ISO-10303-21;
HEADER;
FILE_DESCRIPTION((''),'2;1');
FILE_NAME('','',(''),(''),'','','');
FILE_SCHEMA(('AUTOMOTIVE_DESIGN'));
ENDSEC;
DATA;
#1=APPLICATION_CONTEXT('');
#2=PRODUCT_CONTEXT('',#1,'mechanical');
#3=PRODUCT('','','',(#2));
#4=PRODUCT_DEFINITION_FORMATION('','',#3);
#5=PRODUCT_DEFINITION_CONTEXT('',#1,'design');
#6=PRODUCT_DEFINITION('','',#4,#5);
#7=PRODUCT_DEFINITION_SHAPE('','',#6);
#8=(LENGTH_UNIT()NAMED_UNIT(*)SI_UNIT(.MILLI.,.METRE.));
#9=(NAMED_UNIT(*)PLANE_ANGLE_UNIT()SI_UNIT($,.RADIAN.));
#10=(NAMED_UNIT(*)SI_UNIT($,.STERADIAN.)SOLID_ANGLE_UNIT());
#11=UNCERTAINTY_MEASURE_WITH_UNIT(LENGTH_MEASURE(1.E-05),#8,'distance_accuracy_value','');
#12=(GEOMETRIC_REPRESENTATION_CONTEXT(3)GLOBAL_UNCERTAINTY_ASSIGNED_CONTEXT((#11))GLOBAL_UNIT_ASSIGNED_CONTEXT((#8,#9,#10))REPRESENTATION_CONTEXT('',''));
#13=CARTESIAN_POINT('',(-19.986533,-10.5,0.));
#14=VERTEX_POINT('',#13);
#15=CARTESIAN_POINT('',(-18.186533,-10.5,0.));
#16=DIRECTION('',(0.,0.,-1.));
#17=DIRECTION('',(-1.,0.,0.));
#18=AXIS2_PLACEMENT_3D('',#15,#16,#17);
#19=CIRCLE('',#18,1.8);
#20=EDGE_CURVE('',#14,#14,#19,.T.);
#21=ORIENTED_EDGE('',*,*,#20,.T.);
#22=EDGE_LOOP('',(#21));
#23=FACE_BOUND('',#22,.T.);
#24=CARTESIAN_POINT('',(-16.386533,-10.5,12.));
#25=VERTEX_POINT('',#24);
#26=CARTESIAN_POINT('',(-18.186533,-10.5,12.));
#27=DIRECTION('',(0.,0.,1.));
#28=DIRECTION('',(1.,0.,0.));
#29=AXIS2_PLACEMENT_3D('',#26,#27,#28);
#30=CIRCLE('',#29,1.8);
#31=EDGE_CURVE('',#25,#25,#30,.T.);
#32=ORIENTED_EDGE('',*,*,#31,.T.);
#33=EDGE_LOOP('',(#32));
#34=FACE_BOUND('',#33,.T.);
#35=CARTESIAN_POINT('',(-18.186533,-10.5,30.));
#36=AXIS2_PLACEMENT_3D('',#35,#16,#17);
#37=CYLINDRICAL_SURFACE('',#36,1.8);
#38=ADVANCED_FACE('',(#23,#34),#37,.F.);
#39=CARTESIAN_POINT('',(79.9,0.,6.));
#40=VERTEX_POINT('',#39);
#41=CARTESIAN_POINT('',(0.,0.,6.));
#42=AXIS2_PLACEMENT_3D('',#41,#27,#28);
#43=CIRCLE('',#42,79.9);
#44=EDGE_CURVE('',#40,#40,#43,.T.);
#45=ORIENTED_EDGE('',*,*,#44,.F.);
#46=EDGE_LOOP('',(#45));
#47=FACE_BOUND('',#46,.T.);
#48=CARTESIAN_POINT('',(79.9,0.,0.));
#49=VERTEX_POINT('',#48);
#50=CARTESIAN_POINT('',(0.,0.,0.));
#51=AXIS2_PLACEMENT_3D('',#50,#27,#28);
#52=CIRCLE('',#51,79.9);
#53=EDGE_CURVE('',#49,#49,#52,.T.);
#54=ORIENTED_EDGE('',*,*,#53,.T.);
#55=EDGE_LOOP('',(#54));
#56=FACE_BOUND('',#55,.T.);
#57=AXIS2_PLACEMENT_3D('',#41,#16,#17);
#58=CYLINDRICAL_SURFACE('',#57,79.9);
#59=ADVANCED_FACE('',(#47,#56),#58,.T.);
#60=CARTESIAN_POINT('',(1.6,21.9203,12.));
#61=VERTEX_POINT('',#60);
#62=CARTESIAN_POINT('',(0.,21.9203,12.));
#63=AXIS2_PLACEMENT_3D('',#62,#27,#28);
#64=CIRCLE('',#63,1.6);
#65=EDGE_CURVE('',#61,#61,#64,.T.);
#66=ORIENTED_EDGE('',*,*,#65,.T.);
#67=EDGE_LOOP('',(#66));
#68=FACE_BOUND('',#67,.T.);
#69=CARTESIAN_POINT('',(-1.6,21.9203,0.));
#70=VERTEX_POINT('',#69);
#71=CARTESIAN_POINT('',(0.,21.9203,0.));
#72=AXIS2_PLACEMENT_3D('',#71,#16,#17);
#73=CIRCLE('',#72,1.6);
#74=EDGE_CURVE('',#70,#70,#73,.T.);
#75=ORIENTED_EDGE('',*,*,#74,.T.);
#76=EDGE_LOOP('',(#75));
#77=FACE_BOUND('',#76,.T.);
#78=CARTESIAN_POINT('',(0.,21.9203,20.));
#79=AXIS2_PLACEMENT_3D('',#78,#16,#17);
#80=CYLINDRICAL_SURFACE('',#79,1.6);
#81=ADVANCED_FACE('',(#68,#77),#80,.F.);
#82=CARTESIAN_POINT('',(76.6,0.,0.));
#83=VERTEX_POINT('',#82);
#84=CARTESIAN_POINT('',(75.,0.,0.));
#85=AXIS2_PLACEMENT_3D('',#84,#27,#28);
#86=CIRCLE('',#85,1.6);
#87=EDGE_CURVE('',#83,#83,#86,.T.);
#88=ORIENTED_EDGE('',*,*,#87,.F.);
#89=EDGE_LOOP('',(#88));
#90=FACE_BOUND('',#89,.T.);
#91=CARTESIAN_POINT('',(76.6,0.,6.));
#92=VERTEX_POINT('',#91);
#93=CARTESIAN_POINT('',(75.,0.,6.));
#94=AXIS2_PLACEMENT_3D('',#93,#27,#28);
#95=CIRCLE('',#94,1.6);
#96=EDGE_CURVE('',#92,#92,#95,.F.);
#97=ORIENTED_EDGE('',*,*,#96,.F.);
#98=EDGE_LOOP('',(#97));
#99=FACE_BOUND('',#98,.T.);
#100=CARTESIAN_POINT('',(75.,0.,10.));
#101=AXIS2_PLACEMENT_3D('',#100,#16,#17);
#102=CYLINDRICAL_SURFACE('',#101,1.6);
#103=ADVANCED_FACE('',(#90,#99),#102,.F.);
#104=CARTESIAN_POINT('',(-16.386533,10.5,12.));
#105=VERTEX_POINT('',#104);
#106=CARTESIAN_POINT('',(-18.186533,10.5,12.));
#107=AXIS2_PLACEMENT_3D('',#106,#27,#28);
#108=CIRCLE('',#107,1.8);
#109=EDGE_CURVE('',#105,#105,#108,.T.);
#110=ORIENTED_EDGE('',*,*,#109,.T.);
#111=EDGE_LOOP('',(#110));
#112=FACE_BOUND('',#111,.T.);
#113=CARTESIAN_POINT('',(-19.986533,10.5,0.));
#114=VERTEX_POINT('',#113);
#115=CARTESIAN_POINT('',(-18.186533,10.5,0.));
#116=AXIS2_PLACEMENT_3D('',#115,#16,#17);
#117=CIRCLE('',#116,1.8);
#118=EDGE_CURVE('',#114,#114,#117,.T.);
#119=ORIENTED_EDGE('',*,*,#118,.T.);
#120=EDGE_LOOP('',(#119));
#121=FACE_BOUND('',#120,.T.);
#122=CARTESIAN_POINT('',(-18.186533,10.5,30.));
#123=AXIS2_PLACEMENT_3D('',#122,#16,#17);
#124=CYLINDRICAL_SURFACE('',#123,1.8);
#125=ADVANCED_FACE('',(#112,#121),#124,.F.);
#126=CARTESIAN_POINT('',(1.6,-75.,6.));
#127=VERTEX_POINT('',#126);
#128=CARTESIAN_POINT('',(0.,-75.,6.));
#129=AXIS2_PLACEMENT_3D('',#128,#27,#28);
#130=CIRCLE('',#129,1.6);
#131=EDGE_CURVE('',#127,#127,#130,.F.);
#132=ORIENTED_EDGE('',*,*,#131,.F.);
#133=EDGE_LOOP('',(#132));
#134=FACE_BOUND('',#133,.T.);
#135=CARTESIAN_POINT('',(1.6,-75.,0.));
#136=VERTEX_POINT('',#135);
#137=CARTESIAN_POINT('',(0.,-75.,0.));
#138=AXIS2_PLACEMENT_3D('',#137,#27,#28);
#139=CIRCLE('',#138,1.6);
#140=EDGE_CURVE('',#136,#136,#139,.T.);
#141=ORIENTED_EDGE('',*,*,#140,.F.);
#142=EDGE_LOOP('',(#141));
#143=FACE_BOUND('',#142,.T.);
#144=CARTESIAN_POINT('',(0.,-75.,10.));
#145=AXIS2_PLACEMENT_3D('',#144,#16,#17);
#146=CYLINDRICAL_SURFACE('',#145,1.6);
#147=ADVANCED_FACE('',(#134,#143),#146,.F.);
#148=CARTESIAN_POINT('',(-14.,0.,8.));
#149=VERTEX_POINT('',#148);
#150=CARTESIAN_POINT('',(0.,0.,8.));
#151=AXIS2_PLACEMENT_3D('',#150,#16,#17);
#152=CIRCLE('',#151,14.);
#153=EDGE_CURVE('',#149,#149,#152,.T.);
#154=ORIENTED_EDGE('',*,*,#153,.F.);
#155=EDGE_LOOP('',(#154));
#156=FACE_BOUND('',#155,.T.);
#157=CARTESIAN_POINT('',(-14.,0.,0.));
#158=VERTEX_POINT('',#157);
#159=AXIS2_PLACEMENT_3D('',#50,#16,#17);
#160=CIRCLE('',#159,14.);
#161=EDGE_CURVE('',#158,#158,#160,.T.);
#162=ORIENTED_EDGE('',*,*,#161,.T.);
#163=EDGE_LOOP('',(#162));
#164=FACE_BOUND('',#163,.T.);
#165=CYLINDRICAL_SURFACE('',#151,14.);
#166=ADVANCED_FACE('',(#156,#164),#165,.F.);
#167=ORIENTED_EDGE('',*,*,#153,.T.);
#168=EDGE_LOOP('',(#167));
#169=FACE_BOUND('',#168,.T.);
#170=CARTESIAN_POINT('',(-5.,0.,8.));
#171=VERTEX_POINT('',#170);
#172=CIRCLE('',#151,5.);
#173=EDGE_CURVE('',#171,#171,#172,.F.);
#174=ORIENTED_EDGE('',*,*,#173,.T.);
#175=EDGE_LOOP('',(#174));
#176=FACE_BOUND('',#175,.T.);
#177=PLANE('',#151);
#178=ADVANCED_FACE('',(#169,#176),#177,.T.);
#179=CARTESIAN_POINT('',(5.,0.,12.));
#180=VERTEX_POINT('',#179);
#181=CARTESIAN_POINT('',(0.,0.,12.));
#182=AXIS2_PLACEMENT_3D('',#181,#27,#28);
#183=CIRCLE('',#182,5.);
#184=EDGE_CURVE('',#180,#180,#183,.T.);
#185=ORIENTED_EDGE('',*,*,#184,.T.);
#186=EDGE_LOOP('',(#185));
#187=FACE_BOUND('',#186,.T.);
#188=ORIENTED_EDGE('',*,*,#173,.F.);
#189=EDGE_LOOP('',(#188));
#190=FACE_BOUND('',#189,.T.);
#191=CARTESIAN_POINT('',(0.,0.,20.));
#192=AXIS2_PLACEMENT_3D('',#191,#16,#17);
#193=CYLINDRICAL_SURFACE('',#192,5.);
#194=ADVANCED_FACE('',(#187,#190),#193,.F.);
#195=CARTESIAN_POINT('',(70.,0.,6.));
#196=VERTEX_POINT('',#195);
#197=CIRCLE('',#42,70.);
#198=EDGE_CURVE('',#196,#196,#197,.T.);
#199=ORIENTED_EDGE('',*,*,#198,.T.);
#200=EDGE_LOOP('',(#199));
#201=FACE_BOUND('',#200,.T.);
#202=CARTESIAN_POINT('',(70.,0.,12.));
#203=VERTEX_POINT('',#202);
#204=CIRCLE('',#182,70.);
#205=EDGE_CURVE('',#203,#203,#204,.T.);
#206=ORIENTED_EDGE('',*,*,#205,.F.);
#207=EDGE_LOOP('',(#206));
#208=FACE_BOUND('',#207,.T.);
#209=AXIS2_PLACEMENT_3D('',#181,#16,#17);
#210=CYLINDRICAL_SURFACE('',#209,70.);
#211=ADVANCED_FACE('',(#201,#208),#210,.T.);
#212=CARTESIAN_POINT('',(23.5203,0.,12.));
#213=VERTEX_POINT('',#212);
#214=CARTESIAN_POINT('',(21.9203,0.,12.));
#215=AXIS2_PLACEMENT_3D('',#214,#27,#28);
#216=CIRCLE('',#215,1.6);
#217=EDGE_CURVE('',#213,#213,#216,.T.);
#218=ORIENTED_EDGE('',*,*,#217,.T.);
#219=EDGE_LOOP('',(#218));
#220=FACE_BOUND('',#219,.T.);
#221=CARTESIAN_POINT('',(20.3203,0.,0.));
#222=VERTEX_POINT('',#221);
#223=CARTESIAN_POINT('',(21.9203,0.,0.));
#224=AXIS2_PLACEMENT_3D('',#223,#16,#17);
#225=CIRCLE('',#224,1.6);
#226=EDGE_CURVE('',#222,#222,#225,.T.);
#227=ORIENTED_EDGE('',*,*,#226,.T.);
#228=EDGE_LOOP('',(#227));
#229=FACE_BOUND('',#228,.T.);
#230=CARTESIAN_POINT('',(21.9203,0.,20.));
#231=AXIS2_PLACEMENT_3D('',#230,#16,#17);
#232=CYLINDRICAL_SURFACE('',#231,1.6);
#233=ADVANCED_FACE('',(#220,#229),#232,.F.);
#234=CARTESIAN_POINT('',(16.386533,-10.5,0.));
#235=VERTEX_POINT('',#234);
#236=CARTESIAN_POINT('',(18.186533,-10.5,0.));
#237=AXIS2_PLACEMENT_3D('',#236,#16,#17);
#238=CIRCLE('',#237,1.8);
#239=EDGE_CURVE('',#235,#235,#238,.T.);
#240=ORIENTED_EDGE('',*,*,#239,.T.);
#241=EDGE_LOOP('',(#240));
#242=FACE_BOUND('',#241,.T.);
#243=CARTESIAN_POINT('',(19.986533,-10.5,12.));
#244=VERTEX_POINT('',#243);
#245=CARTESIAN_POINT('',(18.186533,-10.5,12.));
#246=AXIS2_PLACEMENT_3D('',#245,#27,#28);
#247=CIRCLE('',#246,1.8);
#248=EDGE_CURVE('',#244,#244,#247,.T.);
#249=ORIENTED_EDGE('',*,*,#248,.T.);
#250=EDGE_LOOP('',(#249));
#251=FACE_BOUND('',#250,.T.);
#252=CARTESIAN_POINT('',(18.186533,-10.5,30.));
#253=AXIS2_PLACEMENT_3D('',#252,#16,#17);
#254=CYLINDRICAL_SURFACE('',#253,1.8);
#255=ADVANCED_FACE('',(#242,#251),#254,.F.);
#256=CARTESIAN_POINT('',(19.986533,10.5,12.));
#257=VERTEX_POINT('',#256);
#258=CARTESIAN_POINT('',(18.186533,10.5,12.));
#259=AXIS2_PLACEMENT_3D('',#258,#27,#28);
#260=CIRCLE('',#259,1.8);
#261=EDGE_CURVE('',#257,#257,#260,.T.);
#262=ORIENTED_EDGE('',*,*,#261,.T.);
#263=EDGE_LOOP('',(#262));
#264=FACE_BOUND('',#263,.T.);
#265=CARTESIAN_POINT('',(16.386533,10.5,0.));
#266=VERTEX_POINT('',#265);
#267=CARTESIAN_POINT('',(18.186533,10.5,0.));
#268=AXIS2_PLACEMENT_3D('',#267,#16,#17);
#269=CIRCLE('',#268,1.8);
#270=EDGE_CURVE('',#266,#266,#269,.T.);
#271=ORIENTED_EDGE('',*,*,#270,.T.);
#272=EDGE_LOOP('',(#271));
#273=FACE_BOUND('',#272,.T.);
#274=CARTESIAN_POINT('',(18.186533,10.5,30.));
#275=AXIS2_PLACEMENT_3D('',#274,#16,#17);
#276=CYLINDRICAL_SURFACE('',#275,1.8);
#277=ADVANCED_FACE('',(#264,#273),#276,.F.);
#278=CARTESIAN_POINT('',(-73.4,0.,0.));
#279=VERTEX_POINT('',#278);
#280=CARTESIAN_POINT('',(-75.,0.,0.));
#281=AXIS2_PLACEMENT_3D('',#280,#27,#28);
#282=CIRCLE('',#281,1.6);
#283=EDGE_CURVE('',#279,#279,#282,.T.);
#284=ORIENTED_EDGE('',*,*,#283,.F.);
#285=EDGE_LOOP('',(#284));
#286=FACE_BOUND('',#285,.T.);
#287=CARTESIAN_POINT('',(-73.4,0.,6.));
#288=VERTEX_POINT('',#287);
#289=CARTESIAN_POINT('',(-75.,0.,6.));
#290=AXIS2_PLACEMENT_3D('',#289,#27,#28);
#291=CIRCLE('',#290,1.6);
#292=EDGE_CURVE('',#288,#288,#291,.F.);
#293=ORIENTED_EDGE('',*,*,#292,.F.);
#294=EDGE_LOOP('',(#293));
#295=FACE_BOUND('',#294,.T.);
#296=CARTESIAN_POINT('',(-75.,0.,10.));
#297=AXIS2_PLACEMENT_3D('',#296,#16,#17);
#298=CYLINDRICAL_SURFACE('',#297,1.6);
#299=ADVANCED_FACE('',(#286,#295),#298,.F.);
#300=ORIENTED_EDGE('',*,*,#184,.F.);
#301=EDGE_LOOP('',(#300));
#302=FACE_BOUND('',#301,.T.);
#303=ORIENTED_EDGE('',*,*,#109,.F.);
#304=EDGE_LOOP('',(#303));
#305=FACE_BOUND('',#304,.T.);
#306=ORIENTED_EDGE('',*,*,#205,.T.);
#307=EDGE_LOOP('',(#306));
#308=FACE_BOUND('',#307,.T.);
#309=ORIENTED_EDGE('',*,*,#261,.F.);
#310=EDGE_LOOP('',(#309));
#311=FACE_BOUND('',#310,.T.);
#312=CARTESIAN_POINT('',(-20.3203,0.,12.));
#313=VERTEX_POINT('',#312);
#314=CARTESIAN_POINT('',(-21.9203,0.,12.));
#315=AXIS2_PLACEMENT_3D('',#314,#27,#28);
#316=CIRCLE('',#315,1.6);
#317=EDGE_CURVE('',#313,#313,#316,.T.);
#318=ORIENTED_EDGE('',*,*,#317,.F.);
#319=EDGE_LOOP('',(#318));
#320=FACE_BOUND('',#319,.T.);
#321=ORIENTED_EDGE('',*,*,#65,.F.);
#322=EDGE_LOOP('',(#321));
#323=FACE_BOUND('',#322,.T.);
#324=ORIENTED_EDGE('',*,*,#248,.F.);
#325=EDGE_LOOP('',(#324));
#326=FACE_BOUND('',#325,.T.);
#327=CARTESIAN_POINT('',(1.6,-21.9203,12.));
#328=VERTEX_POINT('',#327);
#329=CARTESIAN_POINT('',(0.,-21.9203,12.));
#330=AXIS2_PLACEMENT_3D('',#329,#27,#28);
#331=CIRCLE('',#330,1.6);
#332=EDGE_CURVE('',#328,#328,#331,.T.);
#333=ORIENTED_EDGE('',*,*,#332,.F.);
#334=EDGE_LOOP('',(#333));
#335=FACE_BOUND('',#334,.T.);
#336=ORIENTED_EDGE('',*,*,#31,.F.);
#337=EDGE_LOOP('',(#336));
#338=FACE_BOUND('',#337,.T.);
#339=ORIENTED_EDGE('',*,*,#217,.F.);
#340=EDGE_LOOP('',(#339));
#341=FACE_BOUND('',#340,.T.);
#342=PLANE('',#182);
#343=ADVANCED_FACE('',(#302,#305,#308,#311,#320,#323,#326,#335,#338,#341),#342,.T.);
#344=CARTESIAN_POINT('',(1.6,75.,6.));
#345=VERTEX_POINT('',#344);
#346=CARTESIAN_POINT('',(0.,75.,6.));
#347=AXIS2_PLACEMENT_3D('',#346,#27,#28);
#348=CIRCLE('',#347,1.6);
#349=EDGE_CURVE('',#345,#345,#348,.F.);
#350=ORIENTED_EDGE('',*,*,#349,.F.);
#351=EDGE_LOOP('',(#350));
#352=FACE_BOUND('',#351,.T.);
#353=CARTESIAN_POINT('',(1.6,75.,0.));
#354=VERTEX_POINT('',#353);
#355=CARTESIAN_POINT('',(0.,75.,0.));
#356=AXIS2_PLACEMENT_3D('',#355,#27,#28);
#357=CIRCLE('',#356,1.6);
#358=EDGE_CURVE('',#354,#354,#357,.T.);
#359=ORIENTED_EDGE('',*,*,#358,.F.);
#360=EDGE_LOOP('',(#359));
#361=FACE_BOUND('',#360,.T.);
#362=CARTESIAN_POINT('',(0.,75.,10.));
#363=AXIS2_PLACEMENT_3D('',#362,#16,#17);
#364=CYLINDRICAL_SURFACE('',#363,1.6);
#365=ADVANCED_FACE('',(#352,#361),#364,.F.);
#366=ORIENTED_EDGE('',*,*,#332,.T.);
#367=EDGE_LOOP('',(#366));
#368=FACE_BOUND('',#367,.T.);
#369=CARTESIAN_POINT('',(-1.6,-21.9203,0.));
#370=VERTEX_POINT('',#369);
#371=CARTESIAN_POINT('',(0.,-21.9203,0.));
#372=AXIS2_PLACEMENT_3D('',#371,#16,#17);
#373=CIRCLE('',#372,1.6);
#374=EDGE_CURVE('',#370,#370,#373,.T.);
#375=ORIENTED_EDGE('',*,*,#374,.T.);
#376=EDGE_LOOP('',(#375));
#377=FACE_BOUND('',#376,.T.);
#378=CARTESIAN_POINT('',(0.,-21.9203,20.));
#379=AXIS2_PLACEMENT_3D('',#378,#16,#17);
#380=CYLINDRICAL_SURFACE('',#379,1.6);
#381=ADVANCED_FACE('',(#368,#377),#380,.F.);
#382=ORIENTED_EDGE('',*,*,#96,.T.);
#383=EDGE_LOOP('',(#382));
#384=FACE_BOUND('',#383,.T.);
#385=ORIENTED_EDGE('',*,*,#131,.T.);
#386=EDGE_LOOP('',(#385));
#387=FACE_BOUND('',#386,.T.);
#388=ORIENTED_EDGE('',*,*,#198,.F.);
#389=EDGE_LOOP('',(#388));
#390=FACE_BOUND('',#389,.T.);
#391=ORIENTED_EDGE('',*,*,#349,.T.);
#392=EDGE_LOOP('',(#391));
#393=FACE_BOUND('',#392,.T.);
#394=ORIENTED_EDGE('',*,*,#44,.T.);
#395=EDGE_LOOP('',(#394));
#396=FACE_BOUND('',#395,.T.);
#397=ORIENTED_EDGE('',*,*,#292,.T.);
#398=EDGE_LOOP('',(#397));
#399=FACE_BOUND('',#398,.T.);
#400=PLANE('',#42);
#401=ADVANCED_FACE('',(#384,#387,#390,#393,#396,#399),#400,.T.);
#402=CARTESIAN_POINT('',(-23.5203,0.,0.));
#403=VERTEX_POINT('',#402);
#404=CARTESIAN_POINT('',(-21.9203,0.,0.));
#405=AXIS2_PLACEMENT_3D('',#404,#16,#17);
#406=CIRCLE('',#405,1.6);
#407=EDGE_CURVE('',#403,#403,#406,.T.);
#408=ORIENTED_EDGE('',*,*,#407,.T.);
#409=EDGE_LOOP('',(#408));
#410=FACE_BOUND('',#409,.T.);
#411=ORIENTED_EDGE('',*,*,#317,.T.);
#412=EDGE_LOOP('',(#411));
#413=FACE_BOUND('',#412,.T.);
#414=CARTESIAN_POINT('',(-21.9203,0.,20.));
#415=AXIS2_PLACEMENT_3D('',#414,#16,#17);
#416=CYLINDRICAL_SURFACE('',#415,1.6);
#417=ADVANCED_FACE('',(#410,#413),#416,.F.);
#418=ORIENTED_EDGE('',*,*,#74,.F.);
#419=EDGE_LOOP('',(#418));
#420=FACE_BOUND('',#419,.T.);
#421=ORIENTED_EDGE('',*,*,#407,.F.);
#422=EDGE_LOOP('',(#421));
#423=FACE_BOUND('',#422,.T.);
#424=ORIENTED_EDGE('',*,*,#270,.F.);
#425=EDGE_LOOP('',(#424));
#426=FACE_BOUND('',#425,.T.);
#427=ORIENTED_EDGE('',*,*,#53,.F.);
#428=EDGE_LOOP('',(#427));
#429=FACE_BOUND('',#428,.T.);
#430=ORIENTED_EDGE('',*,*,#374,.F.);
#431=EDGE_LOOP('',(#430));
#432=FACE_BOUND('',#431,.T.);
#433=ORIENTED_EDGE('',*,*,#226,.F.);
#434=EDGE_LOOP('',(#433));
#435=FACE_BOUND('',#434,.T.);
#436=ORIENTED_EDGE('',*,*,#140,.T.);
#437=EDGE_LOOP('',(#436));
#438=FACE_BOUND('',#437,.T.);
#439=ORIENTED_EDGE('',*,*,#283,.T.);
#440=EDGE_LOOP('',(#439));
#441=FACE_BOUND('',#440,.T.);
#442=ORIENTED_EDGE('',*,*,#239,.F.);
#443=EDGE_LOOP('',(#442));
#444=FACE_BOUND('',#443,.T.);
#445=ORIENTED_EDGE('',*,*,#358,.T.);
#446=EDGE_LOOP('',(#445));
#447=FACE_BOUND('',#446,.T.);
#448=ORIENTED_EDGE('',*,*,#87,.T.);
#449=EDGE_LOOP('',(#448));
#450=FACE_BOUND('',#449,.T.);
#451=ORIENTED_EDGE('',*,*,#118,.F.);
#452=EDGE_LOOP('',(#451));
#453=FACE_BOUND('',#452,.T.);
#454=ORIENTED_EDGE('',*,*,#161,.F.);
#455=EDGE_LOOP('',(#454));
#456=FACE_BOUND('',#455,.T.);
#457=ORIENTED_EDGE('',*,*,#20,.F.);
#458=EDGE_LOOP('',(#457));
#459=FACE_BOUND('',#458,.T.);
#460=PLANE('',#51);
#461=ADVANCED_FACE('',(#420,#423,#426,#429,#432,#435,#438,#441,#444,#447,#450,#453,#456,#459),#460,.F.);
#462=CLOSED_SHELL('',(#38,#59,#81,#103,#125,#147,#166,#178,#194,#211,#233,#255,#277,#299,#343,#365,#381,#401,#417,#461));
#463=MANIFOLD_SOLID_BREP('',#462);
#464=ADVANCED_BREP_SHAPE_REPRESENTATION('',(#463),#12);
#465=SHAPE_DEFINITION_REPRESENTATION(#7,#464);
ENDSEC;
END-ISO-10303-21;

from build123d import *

# Parameters (mm, degrees)
SKETCH_1_R          = 70
EXTRUDE_1_DEPTH     = 12
SKETCH_2_R          = 79.9
EXTRUDE_2_DEPTH     = 6
SKETCH_3_R          = 1.6
CUT_EXTRUDE_1_DEPTH = 10
SKETCH_4_R          = 1.6
CUT_EXTRUDE_2_DEPTH = 20
SKETCH_4_5_R        = 1.6
CUT_EXTRUDE_3_DEPTH = 20
SKETCH_6_R          = 5
CUT_EXTRUDE_5_DEPTH = 20
SKETCH_7_R          = 1.8
CUT_EXTRUDE_8_DEPTH = 30
SKETCH_10_R         = 14
CUT_EXTRUDE_9_DEPTH = 8


with BuildPart() as part:
    # 草图1 → 凸台-拉伸1 (new body)
    with BuildSketch(Plane.XY):
        Circle(SKETCH_1_R)
    extrude(amount=EXTRUDE_1_DEPTH)

    # 草图2 → 凸台-拉伸2 (add)
    with BuildSketch(Plane.XY):
        Circle(SKETCH_2_R)
    extrude(amount=EXTRUDE_2_DEPTH)

    # 草图3 → 切除-拉伸1 (cut)
    with BuildSketch(Plane.XY):
        with Locations((-75, 0)):
            Circle(SKETCH_3_R)
        with Locations((75, 0)):
            Circle(SKETCH_3_R)
        with Locations((0, -75)):
            Circle(SKETCH_3_R)
        with Locations((0, 75)):
            Circle(SKETCH_3_R)
    extrude(amount=CUT_EXTRUDE_1_DEPTH, mode=Mode.SUBTRACT)

    # 草图4 → 切除-拉伸2 (cut)
    with BuildSketch(Plane(origin=(0, 0, 0), x_dir=(-1, 0, 0), z_dir=(0, 0, -1))):
        with Locations((0, -21.9203)):
            Circle(SKETCH_4_R)
    extrude(amount=-CUT_EXTRUDE_2_DEPTH, mode=Mode.SUBTRACT)

    # 草图4<5> → 切除-拉伸3 (cut)
    with BuildSketch(Plane(origin=(0, 0, 0), x_dir=(-1, 0, 0), z_dir=(0, 0, -1))):
        with Locations((-21.9203, 0)):
            Circle(SKETCH_4_5_R)
        with Locations((0, 21.9203)):
            Circle(SKETCH_4_5_R)
        with Locations((21.9203, 0)):
            Circle(SKETCH_4_5_R)
        with Locations((0, -21.9203)):
            Circle(SKETCH_4_5_R)
    extrude(amount=-CUT_EXTRUDE_3_DEPTH, mode=Mode.SUBTRACT)

    # 草图6 → 切除-拉伸5 (cut)
    with BuildSketch(Plane(origin=(0, 0, 0), x_dir=(-1, 0, 0), z_dir=(0, 0, -1))):
        Circle(SKETCH_6_R)
    extrude(amount=-CUT_EXTRUDE_5_DEPTH, mode=Mode.SUBTRACT)

    # 草图7 → 切除-拉伸8 (cut)
    with BuildSketch(Plane(origin=(0, 0, 0), x_dir=(-1, 0, 0), z_dir=(0, 0, -1))):
        with Locations((-18.186533479, 10.5)):
            Circle(SKETCH_7_R)
        with Locations((18.186533479, 10.5)):
            Circle(SKETCH_7_R)
        with Locations((18.186533479, -10.5)):
            Circle(SKETCH_7_R)
        with Locations((-18.186533479, -10.5)):
            Circle(SKETCH_7_R)
    extrude(amount=-CUT_EXTRUDE_8_DEPTH, mode=Mode.SUBTRACT)

    # 草图10 → 切除-拉伸9 (cut)
    with BuildSketch(Plane(origin=(0, 0, 0), x_dir=(-1, 0, 0), z_dir=(0, 0, -1))):
        Circle(SKETCH_10_R)
    extrude(amount=-CUT_EXTRUDE_9_DEPTH, mode=Mode.SUBTRACT)


solid = part.part
